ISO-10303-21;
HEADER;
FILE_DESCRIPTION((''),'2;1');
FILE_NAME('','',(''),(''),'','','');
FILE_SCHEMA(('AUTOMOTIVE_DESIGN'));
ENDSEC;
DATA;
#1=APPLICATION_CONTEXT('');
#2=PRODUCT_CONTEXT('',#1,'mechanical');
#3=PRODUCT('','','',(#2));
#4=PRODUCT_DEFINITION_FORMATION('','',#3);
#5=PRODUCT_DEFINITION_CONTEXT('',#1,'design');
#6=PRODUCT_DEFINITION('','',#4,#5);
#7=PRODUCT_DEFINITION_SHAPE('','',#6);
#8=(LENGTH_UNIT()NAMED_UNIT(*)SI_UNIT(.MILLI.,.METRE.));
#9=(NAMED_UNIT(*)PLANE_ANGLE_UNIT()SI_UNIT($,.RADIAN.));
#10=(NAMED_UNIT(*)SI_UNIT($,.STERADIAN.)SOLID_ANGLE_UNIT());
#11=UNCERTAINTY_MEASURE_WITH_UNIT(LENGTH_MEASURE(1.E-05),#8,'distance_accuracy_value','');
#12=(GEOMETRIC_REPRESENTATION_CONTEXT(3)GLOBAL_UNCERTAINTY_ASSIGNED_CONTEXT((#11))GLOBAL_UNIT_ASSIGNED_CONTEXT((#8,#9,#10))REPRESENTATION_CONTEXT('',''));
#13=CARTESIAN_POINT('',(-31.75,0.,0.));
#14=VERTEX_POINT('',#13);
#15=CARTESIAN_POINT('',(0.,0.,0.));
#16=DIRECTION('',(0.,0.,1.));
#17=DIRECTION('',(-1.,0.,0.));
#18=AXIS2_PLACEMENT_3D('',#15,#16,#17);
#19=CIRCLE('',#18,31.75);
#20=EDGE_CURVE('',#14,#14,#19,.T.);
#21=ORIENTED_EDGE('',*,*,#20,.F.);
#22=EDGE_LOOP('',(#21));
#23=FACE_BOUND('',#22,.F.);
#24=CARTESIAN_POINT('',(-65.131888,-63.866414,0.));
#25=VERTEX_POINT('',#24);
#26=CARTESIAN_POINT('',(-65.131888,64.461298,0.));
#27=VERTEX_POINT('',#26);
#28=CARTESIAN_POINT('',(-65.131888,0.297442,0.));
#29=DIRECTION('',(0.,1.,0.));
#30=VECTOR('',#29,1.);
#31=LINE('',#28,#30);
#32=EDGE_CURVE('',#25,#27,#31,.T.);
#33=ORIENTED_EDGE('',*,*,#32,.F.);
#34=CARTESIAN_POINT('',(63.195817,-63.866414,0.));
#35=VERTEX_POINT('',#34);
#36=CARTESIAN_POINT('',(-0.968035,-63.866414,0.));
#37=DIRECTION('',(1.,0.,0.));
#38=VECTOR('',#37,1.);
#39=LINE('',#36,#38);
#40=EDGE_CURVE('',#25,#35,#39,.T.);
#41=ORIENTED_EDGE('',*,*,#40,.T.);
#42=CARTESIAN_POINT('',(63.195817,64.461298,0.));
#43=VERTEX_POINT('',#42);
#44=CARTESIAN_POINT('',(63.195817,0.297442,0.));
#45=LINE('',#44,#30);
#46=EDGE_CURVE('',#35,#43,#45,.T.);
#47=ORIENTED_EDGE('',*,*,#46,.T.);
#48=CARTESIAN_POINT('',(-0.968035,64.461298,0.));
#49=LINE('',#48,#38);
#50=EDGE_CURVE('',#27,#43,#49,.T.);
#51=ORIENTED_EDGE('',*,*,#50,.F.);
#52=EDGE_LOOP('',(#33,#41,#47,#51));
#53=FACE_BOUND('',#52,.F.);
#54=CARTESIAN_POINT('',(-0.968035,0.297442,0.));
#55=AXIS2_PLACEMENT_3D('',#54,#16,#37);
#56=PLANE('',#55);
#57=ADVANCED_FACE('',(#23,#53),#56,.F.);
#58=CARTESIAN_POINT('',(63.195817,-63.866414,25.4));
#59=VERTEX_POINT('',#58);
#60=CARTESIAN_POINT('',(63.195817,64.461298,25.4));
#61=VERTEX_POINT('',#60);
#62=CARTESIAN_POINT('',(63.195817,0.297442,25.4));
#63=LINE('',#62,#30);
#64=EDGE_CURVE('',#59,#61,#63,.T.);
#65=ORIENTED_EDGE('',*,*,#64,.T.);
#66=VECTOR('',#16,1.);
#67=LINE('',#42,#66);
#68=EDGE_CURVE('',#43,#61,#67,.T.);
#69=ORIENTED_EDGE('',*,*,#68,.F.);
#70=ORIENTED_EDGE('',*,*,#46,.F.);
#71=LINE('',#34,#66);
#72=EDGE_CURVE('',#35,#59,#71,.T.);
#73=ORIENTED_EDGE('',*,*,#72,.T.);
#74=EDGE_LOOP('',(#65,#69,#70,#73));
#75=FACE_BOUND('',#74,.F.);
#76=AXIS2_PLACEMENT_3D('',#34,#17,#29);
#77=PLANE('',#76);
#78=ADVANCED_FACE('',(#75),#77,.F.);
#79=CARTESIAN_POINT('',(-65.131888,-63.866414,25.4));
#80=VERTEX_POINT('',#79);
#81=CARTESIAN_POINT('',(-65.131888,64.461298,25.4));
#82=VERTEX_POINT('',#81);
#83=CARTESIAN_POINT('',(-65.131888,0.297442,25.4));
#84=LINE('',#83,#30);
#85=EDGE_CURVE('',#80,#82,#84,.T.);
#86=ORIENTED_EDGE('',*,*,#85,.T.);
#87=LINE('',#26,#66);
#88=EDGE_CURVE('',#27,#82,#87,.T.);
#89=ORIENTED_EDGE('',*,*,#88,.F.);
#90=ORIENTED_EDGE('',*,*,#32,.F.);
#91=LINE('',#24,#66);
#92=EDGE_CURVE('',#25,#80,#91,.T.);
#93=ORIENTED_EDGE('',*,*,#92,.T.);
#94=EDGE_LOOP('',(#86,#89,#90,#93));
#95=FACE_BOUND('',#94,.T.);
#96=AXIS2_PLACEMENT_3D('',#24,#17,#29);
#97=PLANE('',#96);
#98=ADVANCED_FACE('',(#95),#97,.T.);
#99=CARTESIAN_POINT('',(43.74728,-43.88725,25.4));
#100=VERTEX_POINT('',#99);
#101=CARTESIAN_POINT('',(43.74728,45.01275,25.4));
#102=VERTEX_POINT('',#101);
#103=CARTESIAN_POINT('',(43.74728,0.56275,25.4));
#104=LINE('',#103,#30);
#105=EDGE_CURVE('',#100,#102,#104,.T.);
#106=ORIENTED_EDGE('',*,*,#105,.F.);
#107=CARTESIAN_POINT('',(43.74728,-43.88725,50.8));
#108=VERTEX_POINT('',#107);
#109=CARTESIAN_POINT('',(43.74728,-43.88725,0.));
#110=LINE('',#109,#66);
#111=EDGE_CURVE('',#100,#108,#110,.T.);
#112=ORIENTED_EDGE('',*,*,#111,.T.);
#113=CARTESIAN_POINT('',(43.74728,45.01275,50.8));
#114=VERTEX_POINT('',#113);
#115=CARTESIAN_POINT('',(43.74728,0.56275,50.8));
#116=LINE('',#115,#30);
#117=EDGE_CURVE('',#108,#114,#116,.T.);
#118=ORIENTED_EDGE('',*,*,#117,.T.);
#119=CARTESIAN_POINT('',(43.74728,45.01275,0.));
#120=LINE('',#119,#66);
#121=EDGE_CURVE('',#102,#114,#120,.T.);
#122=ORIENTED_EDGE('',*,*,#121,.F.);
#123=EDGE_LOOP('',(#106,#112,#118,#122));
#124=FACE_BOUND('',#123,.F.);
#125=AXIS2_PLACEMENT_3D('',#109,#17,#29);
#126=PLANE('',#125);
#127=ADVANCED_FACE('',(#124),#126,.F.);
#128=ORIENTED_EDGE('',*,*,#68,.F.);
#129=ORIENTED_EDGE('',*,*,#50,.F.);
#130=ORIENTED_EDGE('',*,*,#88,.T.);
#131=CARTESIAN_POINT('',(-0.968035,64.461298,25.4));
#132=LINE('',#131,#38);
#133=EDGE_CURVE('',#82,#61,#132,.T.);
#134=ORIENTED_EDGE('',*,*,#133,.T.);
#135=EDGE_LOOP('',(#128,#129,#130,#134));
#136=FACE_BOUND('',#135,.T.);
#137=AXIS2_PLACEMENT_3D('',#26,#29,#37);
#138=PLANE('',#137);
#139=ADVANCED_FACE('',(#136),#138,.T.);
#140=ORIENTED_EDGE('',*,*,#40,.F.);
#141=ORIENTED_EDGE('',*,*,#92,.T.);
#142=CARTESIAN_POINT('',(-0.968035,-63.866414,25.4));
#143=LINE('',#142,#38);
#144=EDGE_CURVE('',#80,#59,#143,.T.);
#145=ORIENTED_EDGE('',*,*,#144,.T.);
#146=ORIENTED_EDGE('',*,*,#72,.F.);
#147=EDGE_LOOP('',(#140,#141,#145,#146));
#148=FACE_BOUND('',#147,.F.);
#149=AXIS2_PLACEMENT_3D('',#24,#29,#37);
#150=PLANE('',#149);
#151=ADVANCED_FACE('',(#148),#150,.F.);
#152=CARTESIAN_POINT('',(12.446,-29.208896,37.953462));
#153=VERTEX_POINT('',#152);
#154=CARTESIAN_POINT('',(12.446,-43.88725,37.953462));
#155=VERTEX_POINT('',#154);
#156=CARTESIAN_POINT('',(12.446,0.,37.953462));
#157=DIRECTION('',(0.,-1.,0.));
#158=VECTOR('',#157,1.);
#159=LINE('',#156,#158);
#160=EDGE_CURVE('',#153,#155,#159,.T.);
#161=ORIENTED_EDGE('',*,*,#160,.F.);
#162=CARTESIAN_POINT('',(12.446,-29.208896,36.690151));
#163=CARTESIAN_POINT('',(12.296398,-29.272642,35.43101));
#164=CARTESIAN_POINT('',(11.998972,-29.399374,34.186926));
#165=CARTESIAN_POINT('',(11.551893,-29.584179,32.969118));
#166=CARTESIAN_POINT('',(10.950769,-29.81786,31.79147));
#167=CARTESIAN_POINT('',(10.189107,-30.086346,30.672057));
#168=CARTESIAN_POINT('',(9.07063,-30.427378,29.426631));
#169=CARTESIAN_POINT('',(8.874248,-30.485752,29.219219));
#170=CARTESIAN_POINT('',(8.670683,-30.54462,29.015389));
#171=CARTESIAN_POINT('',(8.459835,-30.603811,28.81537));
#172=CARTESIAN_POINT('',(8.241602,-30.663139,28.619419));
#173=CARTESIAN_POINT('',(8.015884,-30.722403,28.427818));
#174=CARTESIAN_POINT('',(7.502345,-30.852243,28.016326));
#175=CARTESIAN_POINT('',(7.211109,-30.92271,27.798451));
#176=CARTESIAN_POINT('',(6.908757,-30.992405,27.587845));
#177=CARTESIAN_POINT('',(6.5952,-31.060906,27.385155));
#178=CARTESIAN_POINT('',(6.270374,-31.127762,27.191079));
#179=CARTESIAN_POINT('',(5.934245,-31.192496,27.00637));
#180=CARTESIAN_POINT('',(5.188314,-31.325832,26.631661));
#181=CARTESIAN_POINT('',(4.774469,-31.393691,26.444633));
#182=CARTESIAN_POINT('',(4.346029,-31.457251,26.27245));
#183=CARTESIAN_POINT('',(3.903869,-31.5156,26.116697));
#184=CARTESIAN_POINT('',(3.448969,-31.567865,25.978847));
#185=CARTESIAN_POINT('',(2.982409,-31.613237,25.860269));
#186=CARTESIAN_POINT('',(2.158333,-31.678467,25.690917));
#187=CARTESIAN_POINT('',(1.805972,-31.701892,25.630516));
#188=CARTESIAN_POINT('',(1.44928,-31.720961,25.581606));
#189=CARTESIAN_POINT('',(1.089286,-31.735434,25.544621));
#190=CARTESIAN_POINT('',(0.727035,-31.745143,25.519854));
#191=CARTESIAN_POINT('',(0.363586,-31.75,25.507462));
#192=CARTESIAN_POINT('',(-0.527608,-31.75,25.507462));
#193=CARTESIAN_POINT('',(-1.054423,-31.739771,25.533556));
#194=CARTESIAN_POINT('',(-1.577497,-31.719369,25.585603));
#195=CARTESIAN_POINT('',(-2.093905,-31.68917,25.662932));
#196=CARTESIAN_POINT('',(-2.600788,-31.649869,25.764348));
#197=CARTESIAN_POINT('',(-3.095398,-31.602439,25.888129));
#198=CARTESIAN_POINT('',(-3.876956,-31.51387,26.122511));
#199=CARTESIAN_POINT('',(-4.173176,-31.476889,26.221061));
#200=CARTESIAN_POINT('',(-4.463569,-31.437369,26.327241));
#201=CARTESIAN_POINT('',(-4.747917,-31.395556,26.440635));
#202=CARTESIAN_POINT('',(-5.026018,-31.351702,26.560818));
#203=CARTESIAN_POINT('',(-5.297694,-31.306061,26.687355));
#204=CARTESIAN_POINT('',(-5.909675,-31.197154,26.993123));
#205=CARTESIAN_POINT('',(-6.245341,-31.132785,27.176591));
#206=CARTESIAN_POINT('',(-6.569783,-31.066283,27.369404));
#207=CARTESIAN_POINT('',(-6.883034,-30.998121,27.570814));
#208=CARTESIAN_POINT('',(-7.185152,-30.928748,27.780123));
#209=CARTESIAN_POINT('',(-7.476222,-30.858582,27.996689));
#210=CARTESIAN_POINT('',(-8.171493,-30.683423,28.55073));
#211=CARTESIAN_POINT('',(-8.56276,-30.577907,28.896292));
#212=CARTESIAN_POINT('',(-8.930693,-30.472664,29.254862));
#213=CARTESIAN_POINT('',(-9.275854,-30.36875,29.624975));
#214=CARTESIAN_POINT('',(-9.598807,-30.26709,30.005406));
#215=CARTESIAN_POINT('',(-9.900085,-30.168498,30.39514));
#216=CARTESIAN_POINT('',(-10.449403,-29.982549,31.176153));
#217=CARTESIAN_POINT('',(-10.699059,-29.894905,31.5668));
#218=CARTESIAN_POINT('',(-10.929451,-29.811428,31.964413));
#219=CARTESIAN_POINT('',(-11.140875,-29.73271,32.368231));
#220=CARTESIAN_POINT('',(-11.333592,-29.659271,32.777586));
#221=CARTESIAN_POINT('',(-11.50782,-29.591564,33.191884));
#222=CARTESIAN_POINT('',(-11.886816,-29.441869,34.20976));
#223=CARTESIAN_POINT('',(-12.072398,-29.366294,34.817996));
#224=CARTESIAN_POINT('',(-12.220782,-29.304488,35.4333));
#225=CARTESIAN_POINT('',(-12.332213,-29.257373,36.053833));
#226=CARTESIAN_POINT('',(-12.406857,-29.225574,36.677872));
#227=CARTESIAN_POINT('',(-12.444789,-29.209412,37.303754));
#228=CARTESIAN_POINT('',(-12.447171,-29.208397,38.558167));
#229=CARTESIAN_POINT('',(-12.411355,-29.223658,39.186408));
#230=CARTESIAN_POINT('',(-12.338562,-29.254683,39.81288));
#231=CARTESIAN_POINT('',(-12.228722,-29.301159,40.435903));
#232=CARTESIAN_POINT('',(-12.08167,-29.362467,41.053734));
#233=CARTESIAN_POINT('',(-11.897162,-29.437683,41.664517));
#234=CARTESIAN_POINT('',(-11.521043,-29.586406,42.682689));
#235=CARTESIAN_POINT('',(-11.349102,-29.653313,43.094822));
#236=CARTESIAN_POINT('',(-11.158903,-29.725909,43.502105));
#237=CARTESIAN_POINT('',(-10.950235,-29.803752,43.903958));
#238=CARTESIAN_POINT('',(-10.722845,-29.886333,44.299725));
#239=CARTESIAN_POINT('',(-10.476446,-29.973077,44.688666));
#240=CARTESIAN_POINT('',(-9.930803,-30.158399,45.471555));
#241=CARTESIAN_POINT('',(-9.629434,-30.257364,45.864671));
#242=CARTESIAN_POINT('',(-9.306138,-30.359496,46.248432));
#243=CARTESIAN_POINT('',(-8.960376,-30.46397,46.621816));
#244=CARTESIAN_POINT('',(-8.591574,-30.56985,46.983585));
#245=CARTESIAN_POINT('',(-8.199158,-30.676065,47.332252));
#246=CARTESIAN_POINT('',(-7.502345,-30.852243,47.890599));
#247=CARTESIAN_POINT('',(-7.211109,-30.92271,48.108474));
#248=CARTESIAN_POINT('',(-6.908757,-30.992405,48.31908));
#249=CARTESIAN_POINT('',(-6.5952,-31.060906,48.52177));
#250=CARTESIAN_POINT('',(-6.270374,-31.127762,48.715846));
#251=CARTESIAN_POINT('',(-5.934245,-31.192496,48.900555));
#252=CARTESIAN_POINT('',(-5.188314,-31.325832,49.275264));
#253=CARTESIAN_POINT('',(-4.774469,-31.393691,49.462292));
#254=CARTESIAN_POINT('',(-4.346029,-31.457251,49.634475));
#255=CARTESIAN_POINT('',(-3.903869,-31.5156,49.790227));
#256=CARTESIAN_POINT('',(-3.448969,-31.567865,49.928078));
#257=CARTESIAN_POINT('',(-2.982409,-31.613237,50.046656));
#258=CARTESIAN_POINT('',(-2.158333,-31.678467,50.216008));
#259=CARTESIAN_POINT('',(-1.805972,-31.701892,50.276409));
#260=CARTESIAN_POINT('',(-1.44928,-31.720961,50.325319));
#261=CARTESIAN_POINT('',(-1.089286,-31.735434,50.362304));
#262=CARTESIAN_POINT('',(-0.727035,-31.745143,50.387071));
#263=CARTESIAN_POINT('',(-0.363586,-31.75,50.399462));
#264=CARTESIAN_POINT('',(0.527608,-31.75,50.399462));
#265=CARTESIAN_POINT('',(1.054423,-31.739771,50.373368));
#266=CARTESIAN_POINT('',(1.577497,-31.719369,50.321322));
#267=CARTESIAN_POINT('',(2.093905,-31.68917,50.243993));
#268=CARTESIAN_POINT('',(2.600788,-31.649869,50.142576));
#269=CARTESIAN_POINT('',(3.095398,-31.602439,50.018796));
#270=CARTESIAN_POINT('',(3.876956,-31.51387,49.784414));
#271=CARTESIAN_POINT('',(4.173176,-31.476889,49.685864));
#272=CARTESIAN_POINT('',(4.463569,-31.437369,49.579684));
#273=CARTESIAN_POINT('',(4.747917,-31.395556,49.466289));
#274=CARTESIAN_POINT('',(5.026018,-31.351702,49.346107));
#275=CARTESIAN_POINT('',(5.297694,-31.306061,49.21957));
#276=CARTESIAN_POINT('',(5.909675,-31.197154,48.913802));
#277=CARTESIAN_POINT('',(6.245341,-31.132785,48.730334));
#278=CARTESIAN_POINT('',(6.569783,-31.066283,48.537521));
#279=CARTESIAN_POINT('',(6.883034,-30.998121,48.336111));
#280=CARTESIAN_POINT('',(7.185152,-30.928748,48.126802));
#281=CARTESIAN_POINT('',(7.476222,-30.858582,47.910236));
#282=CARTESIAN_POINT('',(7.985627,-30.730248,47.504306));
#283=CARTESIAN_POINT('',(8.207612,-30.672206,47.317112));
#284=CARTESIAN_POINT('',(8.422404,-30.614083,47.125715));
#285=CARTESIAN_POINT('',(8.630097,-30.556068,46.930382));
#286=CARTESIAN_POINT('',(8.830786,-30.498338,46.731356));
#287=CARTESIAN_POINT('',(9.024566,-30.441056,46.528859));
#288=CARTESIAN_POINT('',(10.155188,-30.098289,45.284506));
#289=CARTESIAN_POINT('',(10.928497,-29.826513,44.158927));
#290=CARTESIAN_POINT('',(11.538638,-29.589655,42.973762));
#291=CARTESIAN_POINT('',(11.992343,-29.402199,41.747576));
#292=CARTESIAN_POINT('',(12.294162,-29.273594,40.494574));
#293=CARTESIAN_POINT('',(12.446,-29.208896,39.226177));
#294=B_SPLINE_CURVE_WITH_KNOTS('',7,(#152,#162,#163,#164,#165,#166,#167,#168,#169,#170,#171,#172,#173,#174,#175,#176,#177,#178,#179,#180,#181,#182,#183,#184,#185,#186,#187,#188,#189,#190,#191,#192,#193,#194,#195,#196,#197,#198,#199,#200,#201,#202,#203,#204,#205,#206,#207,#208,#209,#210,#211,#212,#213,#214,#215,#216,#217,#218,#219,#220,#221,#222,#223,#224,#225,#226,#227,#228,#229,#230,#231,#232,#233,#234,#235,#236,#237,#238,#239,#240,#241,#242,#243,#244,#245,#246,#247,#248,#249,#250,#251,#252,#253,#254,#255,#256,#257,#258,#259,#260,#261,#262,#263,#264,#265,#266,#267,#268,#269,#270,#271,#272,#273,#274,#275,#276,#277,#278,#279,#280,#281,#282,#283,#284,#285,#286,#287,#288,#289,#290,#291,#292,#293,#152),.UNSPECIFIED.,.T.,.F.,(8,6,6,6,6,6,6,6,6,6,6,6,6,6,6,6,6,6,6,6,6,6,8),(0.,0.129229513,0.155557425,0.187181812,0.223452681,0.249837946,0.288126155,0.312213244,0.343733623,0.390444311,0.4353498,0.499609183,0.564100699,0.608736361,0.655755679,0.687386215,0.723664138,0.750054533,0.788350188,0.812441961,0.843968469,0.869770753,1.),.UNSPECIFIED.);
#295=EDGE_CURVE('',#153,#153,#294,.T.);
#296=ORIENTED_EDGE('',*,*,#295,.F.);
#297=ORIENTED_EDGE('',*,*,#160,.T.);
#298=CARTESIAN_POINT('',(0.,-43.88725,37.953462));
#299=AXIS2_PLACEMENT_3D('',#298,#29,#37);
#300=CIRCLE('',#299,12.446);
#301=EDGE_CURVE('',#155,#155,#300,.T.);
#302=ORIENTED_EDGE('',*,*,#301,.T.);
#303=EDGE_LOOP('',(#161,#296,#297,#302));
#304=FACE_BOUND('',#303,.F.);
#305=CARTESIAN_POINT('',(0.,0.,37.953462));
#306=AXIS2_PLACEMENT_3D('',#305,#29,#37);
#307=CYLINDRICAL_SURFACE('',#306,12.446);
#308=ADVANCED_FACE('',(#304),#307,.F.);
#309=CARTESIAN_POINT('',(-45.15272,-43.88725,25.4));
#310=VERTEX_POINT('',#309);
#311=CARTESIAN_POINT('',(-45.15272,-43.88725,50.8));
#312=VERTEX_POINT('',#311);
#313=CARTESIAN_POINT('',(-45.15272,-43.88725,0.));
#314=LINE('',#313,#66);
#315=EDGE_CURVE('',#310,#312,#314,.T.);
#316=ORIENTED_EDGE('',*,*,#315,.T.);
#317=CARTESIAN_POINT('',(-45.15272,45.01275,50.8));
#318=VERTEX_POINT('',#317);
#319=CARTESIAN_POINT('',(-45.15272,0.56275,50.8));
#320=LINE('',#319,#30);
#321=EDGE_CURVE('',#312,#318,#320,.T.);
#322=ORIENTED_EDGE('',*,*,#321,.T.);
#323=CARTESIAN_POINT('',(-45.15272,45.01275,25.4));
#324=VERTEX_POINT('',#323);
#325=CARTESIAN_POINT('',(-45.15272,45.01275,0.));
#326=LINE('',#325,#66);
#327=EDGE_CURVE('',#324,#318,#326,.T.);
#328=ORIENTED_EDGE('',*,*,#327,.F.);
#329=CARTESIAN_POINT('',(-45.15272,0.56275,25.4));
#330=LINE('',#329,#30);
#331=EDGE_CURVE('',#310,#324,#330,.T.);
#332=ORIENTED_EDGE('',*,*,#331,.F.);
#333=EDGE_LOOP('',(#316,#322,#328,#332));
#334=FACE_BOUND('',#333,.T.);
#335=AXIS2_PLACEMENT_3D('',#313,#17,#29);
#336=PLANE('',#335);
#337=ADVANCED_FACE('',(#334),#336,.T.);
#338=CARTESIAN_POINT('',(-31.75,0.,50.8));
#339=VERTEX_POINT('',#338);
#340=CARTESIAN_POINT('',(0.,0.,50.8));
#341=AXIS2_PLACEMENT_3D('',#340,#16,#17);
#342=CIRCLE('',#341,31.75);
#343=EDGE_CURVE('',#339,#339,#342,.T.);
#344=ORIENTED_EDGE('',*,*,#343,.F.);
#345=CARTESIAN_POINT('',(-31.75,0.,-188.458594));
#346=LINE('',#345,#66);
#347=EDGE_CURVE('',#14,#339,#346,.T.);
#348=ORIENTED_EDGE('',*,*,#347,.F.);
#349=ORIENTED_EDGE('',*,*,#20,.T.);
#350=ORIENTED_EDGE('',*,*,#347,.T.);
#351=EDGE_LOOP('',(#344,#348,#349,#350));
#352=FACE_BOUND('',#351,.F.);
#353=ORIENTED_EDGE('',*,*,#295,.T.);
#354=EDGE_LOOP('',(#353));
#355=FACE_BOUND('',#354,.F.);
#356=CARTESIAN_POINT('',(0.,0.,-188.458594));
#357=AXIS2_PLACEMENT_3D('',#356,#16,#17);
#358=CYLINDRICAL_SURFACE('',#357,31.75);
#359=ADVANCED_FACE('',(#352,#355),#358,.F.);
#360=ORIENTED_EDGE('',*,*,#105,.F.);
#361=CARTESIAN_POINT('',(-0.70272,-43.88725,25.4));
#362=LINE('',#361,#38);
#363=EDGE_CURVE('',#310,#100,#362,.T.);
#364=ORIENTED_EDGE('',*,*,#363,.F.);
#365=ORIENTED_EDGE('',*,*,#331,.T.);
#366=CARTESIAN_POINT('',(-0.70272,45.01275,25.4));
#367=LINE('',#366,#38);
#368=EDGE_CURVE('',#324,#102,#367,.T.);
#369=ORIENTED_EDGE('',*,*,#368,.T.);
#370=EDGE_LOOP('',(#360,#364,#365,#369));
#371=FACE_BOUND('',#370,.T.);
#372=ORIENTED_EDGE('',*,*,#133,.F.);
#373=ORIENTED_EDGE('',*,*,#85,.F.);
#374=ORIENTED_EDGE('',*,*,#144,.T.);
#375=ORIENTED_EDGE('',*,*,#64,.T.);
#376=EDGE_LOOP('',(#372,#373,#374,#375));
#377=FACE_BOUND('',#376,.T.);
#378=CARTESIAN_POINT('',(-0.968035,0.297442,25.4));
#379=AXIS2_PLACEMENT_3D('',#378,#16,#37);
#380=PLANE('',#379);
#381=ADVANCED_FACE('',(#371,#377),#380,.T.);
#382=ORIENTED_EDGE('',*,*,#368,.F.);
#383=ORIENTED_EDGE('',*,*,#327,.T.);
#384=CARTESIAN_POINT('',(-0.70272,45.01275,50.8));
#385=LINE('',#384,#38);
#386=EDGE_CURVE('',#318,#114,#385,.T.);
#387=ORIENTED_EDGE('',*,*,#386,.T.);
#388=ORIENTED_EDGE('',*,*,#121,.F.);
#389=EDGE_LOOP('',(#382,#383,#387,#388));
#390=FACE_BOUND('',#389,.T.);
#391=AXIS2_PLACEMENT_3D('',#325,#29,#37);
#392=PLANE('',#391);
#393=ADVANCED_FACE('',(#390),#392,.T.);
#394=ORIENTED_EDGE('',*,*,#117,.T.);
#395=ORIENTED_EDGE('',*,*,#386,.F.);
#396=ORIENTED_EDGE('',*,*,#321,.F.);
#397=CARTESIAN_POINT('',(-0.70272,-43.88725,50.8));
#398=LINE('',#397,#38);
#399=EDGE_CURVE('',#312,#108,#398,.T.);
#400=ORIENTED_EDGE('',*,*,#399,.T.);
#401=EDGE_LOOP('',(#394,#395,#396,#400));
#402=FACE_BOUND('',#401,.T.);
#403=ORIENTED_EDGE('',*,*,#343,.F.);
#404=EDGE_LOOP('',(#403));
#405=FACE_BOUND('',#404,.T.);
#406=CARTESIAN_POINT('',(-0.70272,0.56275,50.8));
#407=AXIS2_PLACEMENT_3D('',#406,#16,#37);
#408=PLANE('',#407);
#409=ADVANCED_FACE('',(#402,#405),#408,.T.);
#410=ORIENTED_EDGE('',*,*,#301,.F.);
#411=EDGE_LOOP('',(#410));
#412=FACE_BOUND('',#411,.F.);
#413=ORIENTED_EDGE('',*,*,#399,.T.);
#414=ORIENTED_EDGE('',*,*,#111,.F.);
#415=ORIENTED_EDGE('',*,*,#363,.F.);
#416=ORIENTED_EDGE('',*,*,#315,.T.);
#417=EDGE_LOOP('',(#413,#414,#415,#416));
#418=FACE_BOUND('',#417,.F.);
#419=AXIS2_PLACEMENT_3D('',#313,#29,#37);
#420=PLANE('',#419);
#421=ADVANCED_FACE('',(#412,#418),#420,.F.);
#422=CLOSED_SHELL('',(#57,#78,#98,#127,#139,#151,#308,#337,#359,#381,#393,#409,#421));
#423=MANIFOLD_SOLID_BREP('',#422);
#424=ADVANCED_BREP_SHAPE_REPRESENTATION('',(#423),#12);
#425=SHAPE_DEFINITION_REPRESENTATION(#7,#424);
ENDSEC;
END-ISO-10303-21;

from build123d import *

# Parameters (mm, degrees)
F0_W     = 88.9
F0_H     = 88.9
F1_DEPTH = 50.8
F0_W_2   = 128.3277049661
F0_H_2   = 128.3277124166
F2_DEPTH = 25.4
F4_D     = 63.5
F6_D     = 24.892
F6_DEPTH = 63.8674141297


with BuildPart() as f1:
    # F0 (on Top) → F1 (new body)
    with BuildSketch(Plane.XY):
        with Locations((-0.7027200639, 0.5627498746)):
            Rectangle(F0_W, F0_H)
    extrude(amount=F1_DEPTH)

    # F0 (on Top) → F2 (join)
    with BuildSketch(Plane.XY):
        with Locations((-0.9680353105, 0.2974420786)):
            Rectangle(F0_W_2, F0_H_2)
        with Locations((-0.7027200639, 0.5627498746)):
            Rectangle(F0_W, F0_H, mode=Mode.SUBTRACT)
    extrude(amount=F2_DEPTH)

    # F4 (through all)
    with Locations(Plane(origin=(0, 0, 0), x_dir=(1, 0, 0), z_dir=(0, 0, -1))):
        with Locations((0, 0)):
            Hole(F4_D / 2)

    # F6 (through all, one way)
    with BuildSketch(Plane(origin=(0, 0, 0), x_dir=(1, 0, 0), z_dir=(0, 1, 0))):
        with Locations((0, -37.9534624517)):
            Circle(F6_D / 2)
    extrude(amount=-F6_DEPTH, mode=Mode.SUBTRACT)


solid = f1.part
